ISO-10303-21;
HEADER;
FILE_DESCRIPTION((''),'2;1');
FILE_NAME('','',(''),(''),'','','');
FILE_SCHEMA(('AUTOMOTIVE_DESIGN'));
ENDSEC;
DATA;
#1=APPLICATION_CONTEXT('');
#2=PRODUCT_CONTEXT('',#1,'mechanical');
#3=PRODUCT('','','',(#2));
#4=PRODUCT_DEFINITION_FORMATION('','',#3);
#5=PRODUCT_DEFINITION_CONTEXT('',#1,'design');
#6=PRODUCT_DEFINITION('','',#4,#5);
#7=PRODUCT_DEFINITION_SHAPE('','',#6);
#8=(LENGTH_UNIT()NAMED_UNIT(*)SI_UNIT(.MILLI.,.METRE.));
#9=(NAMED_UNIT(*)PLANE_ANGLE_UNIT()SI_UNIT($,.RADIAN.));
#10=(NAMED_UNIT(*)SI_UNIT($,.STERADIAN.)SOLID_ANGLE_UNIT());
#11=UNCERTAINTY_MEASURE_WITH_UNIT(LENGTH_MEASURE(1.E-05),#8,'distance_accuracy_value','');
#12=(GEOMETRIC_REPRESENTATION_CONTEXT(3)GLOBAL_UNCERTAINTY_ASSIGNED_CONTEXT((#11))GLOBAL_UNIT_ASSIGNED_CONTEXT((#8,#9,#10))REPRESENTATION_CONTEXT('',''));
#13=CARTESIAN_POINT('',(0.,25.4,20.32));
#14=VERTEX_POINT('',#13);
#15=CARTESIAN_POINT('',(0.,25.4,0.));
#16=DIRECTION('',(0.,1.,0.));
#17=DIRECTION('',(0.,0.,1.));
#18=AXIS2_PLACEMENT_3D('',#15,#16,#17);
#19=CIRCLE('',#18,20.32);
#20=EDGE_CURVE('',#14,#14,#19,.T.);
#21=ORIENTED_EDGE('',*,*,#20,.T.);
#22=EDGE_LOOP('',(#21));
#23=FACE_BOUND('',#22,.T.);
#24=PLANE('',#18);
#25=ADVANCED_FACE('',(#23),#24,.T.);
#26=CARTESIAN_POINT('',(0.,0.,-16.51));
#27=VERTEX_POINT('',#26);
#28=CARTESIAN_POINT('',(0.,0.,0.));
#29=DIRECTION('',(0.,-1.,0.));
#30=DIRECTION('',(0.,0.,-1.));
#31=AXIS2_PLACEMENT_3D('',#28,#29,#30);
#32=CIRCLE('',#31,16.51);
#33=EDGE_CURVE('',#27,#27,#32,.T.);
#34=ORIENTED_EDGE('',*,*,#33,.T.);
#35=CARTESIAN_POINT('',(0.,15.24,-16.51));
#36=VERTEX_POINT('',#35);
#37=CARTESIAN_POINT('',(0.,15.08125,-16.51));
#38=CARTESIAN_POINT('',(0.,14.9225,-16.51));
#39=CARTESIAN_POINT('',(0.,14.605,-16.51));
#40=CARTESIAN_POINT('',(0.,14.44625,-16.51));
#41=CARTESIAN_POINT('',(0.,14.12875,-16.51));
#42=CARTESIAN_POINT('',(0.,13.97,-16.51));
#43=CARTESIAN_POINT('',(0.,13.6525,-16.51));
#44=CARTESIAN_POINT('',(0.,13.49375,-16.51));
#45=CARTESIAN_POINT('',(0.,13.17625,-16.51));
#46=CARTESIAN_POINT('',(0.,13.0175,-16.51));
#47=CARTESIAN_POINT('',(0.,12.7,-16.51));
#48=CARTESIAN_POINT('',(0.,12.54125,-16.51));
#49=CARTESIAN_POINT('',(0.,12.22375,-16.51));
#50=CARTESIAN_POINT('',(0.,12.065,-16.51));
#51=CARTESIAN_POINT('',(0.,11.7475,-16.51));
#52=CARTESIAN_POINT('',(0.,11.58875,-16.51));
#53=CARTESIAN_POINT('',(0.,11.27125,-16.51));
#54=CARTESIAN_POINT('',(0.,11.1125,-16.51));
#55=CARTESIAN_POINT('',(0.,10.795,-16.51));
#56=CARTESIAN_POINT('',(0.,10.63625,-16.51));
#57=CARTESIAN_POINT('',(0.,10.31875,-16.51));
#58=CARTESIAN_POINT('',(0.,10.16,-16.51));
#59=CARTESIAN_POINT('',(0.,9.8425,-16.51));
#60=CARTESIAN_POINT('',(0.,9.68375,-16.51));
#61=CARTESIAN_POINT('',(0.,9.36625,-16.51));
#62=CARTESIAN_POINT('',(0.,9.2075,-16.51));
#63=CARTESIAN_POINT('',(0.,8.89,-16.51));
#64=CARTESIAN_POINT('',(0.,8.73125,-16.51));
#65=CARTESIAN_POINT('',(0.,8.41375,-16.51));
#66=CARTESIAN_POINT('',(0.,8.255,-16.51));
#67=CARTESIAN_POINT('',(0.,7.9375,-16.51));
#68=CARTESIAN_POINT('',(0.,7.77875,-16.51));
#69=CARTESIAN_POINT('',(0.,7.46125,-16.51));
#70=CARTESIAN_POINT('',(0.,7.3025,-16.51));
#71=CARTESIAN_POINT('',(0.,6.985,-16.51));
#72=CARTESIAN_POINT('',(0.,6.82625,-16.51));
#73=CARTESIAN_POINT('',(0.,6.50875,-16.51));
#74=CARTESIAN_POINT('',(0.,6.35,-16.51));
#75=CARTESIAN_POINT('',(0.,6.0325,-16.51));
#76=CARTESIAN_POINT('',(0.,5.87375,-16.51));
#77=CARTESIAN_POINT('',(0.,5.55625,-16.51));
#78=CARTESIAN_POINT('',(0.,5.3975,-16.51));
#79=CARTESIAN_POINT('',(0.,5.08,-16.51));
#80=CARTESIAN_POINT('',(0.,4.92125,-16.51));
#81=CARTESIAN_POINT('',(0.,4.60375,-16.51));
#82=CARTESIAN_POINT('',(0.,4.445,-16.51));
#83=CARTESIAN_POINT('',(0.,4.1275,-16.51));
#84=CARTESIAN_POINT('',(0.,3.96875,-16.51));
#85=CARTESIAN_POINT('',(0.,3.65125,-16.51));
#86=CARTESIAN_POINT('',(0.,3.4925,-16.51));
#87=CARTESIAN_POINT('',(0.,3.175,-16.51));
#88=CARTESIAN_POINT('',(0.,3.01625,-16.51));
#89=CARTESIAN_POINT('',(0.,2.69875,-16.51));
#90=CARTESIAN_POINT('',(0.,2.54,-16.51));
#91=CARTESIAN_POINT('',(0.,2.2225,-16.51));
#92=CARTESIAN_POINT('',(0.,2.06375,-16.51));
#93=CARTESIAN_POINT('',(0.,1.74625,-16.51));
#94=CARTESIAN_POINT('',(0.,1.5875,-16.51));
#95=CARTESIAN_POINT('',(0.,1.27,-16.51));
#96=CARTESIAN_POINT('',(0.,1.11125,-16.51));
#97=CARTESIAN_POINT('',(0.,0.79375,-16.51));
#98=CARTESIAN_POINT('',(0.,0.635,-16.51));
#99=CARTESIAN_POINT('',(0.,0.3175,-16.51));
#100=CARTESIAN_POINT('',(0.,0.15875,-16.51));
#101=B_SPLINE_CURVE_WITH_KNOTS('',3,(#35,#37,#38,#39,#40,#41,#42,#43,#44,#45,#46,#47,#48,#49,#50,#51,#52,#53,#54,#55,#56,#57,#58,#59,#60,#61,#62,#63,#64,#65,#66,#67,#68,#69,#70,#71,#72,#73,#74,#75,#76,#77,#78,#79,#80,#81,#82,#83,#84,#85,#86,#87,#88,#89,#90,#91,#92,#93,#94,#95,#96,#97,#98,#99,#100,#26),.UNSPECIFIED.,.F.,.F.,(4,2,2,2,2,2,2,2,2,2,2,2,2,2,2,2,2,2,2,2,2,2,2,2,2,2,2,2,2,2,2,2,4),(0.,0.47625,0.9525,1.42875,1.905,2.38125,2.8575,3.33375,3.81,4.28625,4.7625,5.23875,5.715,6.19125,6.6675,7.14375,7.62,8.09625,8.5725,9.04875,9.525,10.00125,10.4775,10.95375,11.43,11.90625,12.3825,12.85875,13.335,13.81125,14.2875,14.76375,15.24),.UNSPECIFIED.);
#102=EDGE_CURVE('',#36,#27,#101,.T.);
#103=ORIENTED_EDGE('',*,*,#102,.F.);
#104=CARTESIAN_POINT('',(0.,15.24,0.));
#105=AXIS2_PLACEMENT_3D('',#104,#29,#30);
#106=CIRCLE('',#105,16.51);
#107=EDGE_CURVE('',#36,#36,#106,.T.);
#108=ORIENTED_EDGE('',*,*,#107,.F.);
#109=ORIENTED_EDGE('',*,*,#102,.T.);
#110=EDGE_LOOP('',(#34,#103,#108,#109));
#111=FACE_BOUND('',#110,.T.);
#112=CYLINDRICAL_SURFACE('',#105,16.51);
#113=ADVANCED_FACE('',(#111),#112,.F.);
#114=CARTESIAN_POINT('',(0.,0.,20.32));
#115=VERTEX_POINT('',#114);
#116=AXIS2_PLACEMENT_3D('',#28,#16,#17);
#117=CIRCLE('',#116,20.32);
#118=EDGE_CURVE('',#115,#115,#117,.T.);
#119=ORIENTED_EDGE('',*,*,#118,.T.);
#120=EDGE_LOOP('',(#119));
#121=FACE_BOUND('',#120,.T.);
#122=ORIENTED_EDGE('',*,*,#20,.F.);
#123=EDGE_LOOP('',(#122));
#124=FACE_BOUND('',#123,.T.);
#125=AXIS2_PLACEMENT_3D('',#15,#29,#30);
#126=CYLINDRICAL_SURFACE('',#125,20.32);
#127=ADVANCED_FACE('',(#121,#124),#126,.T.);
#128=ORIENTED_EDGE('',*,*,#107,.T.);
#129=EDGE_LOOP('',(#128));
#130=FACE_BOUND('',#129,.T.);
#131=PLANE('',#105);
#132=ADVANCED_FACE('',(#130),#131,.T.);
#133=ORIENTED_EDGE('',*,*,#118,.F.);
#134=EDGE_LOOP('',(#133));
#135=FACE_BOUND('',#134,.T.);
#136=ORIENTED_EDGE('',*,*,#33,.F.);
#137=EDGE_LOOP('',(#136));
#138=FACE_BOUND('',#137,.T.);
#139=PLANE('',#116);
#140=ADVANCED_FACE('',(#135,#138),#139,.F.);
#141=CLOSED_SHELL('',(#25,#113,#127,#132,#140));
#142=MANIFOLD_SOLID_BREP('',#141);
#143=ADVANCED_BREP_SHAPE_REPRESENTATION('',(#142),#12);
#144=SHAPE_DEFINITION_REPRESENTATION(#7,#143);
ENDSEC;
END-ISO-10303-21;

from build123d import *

# Parameters (mm, degrees)
SKETCH1_R           = 20.32
BOSS_EXTRUDE1_DEPTH = 25.4
SKETCH2_R           = 16.51
CUT_EXTRUDE1_DEPTH  = 15.24


with BuildPart() as part:
    # Sketch1 → Boss-Extrude1 (new body)
    with BuildSketch(Plane(origin=(0, 0, 0), x_dir=(1, 0, 0), z_dir=(0, 1, 0))):
        with Locations(Location((0, 0, 0), (0, 0, 270))):
            Circle(SKETCH1_R)
    extrude(amount=BOSS_EXTRUDE1_DEPTH)

    # Sketch2 → Cut-Extrude1 (cut)
    with BuildSketch(Plane.XZ):
        with Locations(Location((0, 0, 0), (0, 0, 270))):
            Circle(SKETCH2_R)
    extrude(amount=-CUT_EXTRUDE1_DEPTH, mode=Mode.SUBTRACT)


solid = part.part
